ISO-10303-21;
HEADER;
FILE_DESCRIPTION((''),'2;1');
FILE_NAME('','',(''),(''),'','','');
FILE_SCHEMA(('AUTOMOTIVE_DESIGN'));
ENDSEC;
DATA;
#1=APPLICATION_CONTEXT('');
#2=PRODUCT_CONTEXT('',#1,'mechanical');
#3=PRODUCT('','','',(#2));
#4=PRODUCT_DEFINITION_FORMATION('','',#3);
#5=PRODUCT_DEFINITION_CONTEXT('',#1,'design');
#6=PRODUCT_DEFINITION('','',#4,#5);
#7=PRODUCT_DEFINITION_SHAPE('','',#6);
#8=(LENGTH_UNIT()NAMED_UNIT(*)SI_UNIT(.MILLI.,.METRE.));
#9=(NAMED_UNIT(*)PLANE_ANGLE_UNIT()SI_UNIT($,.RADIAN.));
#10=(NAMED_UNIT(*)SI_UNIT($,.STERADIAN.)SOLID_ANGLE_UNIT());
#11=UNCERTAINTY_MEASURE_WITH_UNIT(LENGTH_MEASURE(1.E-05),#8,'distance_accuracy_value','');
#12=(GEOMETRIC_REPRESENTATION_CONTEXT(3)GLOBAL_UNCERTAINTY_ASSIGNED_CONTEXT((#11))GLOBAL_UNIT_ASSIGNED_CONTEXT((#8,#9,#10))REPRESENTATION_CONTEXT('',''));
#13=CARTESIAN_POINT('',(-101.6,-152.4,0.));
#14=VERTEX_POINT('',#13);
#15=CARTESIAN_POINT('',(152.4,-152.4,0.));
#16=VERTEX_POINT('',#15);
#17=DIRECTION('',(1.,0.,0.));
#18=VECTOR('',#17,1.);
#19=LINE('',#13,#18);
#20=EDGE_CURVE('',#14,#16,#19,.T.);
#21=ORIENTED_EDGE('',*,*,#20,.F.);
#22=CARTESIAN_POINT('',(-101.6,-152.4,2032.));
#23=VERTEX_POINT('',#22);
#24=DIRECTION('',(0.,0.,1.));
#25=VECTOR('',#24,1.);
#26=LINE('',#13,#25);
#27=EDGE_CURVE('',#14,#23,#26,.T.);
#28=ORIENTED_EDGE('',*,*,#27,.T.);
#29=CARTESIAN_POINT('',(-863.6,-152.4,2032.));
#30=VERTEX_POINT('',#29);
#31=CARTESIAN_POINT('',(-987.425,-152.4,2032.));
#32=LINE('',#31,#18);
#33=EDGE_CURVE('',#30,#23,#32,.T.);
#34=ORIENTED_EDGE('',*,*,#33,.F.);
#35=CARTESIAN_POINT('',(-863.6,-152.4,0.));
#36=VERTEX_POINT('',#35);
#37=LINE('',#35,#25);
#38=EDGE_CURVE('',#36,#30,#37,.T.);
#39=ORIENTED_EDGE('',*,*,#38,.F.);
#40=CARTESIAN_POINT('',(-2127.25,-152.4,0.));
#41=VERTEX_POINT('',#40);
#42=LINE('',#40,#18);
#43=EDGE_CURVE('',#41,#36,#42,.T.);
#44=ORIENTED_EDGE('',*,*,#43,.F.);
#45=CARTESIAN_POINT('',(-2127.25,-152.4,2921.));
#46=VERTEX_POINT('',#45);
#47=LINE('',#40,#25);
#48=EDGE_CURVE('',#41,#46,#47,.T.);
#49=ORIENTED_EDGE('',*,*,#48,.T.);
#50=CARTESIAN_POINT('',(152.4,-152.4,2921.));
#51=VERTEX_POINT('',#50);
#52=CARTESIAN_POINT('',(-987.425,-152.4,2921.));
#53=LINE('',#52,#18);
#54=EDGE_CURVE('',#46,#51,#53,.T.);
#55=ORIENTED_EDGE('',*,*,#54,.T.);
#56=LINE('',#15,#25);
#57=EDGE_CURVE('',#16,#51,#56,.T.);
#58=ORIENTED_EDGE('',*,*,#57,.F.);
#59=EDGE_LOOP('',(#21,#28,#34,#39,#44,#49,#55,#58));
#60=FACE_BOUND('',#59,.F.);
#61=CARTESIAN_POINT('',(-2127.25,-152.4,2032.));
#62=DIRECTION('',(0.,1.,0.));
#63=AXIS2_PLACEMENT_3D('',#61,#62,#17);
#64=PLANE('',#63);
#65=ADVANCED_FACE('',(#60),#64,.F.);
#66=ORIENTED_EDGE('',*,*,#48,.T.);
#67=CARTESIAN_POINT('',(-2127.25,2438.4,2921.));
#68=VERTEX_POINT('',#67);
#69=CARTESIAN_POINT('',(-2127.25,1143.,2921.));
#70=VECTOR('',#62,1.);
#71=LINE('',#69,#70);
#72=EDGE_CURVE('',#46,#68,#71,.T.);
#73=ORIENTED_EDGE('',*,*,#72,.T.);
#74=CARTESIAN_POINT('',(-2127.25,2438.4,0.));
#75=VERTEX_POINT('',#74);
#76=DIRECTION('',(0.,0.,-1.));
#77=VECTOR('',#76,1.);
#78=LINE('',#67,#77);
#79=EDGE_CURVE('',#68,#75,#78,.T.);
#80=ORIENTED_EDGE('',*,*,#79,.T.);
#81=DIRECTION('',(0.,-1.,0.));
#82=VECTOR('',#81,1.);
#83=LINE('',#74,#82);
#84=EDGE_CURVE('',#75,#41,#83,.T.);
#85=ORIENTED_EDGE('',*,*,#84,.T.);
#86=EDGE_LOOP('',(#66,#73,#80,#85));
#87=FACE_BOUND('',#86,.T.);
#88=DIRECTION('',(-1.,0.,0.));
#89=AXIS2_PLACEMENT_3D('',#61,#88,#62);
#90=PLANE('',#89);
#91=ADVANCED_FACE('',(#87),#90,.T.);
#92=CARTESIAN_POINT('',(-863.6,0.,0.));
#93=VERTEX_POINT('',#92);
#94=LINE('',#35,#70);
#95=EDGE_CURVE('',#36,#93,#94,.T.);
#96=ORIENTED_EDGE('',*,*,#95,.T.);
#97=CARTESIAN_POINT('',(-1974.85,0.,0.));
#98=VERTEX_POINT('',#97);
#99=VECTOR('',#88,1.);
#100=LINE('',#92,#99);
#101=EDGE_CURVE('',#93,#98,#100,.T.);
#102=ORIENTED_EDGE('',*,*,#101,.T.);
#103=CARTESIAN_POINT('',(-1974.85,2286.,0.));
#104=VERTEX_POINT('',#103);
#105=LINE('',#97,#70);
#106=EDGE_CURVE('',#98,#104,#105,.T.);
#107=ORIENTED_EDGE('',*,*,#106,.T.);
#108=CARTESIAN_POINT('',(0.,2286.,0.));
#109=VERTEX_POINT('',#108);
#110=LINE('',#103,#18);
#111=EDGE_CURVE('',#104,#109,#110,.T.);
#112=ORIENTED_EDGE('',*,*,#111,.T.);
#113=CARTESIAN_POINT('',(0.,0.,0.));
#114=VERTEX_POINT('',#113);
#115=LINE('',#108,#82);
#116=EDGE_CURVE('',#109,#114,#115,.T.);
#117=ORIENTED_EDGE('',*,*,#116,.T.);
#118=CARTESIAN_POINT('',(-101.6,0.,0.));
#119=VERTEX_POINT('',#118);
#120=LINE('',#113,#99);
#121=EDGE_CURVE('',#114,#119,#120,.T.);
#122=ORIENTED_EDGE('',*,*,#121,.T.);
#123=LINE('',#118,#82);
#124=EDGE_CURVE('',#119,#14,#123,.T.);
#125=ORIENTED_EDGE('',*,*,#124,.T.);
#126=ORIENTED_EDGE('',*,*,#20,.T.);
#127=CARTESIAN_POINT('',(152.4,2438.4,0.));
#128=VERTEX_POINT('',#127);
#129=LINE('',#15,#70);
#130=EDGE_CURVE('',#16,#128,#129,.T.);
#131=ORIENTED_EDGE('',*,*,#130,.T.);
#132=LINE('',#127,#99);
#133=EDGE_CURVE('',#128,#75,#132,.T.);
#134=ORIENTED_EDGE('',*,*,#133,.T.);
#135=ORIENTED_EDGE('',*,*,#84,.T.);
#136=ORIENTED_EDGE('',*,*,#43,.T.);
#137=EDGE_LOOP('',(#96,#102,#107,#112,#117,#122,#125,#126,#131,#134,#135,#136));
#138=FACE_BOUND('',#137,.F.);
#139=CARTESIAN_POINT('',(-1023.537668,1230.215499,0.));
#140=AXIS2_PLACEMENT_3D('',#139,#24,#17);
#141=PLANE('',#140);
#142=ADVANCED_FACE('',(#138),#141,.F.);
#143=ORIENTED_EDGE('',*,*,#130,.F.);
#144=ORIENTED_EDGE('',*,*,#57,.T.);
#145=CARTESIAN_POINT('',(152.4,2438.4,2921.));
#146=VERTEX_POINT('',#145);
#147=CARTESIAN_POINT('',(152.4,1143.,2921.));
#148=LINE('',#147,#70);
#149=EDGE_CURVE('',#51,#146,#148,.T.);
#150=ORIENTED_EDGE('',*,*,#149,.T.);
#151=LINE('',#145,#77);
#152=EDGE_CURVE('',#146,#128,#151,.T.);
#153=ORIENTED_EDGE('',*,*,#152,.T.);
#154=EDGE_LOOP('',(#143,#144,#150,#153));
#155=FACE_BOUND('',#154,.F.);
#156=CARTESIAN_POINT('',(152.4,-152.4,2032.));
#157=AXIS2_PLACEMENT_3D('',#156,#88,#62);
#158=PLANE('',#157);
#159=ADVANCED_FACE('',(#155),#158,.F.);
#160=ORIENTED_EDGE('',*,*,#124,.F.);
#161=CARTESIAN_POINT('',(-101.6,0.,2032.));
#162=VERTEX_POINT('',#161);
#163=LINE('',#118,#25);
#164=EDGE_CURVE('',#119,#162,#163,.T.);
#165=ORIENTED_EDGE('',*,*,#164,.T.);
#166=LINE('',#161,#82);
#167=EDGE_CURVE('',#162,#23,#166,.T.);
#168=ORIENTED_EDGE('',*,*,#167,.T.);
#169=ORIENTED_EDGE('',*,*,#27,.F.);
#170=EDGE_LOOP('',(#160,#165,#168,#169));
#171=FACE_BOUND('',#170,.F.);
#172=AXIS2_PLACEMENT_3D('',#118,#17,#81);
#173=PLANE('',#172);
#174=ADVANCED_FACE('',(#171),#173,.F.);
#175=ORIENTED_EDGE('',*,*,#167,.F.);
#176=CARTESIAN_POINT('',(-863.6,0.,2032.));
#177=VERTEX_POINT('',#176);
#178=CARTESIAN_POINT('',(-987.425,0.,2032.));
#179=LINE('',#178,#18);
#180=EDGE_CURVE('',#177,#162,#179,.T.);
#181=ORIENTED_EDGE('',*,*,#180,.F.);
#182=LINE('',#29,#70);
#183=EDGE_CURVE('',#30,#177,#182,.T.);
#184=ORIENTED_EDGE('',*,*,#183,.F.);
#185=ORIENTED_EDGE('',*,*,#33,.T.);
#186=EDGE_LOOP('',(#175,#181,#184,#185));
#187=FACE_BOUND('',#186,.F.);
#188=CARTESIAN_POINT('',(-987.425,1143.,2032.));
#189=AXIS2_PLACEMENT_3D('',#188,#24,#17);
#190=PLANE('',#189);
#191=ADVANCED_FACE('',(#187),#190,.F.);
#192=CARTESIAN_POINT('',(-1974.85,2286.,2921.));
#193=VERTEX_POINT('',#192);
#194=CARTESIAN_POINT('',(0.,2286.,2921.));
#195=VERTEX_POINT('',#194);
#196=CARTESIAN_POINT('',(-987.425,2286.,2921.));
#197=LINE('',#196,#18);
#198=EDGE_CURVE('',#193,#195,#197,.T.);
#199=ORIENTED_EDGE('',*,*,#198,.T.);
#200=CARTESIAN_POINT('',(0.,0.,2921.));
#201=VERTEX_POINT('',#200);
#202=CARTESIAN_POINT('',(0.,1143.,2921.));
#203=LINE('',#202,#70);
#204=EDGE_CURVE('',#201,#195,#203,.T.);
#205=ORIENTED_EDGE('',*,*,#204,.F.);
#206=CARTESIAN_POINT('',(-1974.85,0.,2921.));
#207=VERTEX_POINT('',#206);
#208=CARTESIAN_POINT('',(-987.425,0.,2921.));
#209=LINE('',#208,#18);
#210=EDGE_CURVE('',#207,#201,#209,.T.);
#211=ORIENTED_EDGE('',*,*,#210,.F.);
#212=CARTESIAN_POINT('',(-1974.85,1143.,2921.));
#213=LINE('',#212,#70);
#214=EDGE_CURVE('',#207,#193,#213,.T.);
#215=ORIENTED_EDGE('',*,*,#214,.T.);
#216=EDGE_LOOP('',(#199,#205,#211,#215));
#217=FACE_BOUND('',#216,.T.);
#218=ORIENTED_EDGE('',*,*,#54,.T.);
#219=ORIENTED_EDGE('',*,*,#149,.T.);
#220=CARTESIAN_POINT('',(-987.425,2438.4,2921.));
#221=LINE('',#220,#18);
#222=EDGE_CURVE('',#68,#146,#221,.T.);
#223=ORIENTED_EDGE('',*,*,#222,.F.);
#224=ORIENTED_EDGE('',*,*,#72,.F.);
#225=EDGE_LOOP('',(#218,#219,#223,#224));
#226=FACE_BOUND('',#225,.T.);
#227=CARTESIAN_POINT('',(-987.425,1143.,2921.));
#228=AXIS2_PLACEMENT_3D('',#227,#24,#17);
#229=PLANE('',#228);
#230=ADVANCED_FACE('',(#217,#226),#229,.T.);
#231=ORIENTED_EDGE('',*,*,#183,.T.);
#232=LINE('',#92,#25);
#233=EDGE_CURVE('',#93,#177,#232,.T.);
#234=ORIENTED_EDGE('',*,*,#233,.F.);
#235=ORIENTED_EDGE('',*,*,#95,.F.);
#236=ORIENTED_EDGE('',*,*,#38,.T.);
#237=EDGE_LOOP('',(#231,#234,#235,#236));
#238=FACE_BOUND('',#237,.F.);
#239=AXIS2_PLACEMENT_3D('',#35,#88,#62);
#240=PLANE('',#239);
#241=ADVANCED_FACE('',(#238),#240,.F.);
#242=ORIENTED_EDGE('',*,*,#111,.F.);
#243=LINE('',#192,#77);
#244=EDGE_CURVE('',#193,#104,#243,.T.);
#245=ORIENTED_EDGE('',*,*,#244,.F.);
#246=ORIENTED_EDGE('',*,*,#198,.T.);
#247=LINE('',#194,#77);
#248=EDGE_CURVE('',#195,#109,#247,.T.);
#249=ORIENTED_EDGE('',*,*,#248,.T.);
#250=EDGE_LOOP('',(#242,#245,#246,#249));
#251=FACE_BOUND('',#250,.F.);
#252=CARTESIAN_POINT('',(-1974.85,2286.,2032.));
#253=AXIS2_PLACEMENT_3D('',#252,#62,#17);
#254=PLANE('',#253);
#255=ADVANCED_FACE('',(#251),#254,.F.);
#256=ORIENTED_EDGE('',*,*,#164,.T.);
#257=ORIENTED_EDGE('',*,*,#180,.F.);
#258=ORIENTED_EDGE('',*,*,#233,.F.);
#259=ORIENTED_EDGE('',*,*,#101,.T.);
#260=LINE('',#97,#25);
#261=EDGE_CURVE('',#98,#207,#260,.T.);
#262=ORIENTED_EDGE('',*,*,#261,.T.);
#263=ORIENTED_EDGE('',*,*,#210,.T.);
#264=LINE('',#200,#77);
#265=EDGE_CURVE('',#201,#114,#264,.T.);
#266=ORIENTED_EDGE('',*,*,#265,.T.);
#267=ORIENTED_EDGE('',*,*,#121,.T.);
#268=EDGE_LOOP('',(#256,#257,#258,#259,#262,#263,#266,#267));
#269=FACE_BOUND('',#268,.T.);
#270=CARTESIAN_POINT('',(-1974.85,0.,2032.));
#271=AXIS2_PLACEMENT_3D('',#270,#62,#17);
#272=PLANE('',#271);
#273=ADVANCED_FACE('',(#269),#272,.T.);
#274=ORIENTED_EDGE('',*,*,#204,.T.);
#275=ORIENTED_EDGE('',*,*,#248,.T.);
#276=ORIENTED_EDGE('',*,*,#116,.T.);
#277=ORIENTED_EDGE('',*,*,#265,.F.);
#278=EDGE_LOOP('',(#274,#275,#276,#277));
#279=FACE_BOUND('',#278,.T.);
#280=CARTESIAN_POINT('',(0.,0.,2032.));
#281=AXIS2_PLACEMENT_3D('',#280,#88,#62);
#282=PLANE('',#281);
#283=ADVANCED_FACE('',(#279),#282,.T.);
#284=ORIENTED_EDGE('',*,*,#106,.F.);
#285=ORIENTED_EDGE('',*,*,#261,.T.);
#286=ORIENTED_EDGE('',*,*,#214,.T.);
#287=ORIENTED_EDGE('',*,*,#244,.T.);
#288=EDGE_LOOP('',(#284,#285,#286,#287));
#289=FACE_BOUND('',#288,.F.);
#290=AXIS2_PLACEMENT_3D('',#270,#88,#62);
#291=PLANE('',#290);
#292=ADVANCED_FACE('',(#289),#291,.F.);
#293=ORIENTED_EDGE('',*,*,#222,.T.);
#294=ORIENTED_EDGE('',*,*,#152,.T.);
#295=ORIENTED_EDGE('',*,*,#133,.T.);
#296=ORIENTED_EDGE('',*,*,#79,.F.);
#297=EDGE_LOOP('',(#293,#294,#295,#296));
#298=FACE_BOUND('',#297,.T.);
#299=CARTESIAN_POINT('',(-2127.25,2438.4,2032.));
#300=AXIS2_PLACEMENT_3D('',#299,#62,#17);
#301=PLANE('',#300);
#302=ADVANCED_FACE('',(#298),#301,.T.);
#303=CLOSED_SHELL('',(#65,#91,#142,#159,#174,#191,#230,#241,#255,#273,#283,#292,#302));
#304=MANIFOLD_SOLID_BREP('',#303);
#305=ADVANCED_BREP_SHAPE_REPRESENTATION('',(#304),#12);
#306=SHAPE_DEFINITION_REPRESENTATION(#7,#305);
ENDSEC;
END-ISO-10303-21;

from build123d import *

# Parameters (mm, degrees)
F1_DEPTH = 2032
F2_W     = 2279.65
F2_H     = 2590.8
F2_W_2   = 1974.85
F2_H_2   = 2286
F3_DEPTH = 889


with BuildPart() as f1:
    # F0 (on Top) → F1 (new body)
    with BuildSketch(Plane.XY):
        Polygon((0, 2286), (0, 0), (-101.6, 0), (-101.6, -152.4), (152.4, -152.4), (152.4, 2438.4), (-2127.25, 2438.4), (-2127.25, -152.4), (-863.6, -152.4), (-863.6, 0), (-1974.85, 0), (-1974.85, 2286), align=None)
    extrude(amount=F1_DEPTH)

    # F2 (on face) → F3 (join)
    with BuildSketch(Plane.XY.offset(2032)):
        with Locations((-987.425, 1143)):
            Rectangle(F2_W, F2_H)
        with Locations((-987.425, 1143)):
            Rectangle(F2_W_2, F2_H_2, mode=Mode.SUBTRACT)
    extrude(amount=F3_DEPTH)


solid = f1.part
